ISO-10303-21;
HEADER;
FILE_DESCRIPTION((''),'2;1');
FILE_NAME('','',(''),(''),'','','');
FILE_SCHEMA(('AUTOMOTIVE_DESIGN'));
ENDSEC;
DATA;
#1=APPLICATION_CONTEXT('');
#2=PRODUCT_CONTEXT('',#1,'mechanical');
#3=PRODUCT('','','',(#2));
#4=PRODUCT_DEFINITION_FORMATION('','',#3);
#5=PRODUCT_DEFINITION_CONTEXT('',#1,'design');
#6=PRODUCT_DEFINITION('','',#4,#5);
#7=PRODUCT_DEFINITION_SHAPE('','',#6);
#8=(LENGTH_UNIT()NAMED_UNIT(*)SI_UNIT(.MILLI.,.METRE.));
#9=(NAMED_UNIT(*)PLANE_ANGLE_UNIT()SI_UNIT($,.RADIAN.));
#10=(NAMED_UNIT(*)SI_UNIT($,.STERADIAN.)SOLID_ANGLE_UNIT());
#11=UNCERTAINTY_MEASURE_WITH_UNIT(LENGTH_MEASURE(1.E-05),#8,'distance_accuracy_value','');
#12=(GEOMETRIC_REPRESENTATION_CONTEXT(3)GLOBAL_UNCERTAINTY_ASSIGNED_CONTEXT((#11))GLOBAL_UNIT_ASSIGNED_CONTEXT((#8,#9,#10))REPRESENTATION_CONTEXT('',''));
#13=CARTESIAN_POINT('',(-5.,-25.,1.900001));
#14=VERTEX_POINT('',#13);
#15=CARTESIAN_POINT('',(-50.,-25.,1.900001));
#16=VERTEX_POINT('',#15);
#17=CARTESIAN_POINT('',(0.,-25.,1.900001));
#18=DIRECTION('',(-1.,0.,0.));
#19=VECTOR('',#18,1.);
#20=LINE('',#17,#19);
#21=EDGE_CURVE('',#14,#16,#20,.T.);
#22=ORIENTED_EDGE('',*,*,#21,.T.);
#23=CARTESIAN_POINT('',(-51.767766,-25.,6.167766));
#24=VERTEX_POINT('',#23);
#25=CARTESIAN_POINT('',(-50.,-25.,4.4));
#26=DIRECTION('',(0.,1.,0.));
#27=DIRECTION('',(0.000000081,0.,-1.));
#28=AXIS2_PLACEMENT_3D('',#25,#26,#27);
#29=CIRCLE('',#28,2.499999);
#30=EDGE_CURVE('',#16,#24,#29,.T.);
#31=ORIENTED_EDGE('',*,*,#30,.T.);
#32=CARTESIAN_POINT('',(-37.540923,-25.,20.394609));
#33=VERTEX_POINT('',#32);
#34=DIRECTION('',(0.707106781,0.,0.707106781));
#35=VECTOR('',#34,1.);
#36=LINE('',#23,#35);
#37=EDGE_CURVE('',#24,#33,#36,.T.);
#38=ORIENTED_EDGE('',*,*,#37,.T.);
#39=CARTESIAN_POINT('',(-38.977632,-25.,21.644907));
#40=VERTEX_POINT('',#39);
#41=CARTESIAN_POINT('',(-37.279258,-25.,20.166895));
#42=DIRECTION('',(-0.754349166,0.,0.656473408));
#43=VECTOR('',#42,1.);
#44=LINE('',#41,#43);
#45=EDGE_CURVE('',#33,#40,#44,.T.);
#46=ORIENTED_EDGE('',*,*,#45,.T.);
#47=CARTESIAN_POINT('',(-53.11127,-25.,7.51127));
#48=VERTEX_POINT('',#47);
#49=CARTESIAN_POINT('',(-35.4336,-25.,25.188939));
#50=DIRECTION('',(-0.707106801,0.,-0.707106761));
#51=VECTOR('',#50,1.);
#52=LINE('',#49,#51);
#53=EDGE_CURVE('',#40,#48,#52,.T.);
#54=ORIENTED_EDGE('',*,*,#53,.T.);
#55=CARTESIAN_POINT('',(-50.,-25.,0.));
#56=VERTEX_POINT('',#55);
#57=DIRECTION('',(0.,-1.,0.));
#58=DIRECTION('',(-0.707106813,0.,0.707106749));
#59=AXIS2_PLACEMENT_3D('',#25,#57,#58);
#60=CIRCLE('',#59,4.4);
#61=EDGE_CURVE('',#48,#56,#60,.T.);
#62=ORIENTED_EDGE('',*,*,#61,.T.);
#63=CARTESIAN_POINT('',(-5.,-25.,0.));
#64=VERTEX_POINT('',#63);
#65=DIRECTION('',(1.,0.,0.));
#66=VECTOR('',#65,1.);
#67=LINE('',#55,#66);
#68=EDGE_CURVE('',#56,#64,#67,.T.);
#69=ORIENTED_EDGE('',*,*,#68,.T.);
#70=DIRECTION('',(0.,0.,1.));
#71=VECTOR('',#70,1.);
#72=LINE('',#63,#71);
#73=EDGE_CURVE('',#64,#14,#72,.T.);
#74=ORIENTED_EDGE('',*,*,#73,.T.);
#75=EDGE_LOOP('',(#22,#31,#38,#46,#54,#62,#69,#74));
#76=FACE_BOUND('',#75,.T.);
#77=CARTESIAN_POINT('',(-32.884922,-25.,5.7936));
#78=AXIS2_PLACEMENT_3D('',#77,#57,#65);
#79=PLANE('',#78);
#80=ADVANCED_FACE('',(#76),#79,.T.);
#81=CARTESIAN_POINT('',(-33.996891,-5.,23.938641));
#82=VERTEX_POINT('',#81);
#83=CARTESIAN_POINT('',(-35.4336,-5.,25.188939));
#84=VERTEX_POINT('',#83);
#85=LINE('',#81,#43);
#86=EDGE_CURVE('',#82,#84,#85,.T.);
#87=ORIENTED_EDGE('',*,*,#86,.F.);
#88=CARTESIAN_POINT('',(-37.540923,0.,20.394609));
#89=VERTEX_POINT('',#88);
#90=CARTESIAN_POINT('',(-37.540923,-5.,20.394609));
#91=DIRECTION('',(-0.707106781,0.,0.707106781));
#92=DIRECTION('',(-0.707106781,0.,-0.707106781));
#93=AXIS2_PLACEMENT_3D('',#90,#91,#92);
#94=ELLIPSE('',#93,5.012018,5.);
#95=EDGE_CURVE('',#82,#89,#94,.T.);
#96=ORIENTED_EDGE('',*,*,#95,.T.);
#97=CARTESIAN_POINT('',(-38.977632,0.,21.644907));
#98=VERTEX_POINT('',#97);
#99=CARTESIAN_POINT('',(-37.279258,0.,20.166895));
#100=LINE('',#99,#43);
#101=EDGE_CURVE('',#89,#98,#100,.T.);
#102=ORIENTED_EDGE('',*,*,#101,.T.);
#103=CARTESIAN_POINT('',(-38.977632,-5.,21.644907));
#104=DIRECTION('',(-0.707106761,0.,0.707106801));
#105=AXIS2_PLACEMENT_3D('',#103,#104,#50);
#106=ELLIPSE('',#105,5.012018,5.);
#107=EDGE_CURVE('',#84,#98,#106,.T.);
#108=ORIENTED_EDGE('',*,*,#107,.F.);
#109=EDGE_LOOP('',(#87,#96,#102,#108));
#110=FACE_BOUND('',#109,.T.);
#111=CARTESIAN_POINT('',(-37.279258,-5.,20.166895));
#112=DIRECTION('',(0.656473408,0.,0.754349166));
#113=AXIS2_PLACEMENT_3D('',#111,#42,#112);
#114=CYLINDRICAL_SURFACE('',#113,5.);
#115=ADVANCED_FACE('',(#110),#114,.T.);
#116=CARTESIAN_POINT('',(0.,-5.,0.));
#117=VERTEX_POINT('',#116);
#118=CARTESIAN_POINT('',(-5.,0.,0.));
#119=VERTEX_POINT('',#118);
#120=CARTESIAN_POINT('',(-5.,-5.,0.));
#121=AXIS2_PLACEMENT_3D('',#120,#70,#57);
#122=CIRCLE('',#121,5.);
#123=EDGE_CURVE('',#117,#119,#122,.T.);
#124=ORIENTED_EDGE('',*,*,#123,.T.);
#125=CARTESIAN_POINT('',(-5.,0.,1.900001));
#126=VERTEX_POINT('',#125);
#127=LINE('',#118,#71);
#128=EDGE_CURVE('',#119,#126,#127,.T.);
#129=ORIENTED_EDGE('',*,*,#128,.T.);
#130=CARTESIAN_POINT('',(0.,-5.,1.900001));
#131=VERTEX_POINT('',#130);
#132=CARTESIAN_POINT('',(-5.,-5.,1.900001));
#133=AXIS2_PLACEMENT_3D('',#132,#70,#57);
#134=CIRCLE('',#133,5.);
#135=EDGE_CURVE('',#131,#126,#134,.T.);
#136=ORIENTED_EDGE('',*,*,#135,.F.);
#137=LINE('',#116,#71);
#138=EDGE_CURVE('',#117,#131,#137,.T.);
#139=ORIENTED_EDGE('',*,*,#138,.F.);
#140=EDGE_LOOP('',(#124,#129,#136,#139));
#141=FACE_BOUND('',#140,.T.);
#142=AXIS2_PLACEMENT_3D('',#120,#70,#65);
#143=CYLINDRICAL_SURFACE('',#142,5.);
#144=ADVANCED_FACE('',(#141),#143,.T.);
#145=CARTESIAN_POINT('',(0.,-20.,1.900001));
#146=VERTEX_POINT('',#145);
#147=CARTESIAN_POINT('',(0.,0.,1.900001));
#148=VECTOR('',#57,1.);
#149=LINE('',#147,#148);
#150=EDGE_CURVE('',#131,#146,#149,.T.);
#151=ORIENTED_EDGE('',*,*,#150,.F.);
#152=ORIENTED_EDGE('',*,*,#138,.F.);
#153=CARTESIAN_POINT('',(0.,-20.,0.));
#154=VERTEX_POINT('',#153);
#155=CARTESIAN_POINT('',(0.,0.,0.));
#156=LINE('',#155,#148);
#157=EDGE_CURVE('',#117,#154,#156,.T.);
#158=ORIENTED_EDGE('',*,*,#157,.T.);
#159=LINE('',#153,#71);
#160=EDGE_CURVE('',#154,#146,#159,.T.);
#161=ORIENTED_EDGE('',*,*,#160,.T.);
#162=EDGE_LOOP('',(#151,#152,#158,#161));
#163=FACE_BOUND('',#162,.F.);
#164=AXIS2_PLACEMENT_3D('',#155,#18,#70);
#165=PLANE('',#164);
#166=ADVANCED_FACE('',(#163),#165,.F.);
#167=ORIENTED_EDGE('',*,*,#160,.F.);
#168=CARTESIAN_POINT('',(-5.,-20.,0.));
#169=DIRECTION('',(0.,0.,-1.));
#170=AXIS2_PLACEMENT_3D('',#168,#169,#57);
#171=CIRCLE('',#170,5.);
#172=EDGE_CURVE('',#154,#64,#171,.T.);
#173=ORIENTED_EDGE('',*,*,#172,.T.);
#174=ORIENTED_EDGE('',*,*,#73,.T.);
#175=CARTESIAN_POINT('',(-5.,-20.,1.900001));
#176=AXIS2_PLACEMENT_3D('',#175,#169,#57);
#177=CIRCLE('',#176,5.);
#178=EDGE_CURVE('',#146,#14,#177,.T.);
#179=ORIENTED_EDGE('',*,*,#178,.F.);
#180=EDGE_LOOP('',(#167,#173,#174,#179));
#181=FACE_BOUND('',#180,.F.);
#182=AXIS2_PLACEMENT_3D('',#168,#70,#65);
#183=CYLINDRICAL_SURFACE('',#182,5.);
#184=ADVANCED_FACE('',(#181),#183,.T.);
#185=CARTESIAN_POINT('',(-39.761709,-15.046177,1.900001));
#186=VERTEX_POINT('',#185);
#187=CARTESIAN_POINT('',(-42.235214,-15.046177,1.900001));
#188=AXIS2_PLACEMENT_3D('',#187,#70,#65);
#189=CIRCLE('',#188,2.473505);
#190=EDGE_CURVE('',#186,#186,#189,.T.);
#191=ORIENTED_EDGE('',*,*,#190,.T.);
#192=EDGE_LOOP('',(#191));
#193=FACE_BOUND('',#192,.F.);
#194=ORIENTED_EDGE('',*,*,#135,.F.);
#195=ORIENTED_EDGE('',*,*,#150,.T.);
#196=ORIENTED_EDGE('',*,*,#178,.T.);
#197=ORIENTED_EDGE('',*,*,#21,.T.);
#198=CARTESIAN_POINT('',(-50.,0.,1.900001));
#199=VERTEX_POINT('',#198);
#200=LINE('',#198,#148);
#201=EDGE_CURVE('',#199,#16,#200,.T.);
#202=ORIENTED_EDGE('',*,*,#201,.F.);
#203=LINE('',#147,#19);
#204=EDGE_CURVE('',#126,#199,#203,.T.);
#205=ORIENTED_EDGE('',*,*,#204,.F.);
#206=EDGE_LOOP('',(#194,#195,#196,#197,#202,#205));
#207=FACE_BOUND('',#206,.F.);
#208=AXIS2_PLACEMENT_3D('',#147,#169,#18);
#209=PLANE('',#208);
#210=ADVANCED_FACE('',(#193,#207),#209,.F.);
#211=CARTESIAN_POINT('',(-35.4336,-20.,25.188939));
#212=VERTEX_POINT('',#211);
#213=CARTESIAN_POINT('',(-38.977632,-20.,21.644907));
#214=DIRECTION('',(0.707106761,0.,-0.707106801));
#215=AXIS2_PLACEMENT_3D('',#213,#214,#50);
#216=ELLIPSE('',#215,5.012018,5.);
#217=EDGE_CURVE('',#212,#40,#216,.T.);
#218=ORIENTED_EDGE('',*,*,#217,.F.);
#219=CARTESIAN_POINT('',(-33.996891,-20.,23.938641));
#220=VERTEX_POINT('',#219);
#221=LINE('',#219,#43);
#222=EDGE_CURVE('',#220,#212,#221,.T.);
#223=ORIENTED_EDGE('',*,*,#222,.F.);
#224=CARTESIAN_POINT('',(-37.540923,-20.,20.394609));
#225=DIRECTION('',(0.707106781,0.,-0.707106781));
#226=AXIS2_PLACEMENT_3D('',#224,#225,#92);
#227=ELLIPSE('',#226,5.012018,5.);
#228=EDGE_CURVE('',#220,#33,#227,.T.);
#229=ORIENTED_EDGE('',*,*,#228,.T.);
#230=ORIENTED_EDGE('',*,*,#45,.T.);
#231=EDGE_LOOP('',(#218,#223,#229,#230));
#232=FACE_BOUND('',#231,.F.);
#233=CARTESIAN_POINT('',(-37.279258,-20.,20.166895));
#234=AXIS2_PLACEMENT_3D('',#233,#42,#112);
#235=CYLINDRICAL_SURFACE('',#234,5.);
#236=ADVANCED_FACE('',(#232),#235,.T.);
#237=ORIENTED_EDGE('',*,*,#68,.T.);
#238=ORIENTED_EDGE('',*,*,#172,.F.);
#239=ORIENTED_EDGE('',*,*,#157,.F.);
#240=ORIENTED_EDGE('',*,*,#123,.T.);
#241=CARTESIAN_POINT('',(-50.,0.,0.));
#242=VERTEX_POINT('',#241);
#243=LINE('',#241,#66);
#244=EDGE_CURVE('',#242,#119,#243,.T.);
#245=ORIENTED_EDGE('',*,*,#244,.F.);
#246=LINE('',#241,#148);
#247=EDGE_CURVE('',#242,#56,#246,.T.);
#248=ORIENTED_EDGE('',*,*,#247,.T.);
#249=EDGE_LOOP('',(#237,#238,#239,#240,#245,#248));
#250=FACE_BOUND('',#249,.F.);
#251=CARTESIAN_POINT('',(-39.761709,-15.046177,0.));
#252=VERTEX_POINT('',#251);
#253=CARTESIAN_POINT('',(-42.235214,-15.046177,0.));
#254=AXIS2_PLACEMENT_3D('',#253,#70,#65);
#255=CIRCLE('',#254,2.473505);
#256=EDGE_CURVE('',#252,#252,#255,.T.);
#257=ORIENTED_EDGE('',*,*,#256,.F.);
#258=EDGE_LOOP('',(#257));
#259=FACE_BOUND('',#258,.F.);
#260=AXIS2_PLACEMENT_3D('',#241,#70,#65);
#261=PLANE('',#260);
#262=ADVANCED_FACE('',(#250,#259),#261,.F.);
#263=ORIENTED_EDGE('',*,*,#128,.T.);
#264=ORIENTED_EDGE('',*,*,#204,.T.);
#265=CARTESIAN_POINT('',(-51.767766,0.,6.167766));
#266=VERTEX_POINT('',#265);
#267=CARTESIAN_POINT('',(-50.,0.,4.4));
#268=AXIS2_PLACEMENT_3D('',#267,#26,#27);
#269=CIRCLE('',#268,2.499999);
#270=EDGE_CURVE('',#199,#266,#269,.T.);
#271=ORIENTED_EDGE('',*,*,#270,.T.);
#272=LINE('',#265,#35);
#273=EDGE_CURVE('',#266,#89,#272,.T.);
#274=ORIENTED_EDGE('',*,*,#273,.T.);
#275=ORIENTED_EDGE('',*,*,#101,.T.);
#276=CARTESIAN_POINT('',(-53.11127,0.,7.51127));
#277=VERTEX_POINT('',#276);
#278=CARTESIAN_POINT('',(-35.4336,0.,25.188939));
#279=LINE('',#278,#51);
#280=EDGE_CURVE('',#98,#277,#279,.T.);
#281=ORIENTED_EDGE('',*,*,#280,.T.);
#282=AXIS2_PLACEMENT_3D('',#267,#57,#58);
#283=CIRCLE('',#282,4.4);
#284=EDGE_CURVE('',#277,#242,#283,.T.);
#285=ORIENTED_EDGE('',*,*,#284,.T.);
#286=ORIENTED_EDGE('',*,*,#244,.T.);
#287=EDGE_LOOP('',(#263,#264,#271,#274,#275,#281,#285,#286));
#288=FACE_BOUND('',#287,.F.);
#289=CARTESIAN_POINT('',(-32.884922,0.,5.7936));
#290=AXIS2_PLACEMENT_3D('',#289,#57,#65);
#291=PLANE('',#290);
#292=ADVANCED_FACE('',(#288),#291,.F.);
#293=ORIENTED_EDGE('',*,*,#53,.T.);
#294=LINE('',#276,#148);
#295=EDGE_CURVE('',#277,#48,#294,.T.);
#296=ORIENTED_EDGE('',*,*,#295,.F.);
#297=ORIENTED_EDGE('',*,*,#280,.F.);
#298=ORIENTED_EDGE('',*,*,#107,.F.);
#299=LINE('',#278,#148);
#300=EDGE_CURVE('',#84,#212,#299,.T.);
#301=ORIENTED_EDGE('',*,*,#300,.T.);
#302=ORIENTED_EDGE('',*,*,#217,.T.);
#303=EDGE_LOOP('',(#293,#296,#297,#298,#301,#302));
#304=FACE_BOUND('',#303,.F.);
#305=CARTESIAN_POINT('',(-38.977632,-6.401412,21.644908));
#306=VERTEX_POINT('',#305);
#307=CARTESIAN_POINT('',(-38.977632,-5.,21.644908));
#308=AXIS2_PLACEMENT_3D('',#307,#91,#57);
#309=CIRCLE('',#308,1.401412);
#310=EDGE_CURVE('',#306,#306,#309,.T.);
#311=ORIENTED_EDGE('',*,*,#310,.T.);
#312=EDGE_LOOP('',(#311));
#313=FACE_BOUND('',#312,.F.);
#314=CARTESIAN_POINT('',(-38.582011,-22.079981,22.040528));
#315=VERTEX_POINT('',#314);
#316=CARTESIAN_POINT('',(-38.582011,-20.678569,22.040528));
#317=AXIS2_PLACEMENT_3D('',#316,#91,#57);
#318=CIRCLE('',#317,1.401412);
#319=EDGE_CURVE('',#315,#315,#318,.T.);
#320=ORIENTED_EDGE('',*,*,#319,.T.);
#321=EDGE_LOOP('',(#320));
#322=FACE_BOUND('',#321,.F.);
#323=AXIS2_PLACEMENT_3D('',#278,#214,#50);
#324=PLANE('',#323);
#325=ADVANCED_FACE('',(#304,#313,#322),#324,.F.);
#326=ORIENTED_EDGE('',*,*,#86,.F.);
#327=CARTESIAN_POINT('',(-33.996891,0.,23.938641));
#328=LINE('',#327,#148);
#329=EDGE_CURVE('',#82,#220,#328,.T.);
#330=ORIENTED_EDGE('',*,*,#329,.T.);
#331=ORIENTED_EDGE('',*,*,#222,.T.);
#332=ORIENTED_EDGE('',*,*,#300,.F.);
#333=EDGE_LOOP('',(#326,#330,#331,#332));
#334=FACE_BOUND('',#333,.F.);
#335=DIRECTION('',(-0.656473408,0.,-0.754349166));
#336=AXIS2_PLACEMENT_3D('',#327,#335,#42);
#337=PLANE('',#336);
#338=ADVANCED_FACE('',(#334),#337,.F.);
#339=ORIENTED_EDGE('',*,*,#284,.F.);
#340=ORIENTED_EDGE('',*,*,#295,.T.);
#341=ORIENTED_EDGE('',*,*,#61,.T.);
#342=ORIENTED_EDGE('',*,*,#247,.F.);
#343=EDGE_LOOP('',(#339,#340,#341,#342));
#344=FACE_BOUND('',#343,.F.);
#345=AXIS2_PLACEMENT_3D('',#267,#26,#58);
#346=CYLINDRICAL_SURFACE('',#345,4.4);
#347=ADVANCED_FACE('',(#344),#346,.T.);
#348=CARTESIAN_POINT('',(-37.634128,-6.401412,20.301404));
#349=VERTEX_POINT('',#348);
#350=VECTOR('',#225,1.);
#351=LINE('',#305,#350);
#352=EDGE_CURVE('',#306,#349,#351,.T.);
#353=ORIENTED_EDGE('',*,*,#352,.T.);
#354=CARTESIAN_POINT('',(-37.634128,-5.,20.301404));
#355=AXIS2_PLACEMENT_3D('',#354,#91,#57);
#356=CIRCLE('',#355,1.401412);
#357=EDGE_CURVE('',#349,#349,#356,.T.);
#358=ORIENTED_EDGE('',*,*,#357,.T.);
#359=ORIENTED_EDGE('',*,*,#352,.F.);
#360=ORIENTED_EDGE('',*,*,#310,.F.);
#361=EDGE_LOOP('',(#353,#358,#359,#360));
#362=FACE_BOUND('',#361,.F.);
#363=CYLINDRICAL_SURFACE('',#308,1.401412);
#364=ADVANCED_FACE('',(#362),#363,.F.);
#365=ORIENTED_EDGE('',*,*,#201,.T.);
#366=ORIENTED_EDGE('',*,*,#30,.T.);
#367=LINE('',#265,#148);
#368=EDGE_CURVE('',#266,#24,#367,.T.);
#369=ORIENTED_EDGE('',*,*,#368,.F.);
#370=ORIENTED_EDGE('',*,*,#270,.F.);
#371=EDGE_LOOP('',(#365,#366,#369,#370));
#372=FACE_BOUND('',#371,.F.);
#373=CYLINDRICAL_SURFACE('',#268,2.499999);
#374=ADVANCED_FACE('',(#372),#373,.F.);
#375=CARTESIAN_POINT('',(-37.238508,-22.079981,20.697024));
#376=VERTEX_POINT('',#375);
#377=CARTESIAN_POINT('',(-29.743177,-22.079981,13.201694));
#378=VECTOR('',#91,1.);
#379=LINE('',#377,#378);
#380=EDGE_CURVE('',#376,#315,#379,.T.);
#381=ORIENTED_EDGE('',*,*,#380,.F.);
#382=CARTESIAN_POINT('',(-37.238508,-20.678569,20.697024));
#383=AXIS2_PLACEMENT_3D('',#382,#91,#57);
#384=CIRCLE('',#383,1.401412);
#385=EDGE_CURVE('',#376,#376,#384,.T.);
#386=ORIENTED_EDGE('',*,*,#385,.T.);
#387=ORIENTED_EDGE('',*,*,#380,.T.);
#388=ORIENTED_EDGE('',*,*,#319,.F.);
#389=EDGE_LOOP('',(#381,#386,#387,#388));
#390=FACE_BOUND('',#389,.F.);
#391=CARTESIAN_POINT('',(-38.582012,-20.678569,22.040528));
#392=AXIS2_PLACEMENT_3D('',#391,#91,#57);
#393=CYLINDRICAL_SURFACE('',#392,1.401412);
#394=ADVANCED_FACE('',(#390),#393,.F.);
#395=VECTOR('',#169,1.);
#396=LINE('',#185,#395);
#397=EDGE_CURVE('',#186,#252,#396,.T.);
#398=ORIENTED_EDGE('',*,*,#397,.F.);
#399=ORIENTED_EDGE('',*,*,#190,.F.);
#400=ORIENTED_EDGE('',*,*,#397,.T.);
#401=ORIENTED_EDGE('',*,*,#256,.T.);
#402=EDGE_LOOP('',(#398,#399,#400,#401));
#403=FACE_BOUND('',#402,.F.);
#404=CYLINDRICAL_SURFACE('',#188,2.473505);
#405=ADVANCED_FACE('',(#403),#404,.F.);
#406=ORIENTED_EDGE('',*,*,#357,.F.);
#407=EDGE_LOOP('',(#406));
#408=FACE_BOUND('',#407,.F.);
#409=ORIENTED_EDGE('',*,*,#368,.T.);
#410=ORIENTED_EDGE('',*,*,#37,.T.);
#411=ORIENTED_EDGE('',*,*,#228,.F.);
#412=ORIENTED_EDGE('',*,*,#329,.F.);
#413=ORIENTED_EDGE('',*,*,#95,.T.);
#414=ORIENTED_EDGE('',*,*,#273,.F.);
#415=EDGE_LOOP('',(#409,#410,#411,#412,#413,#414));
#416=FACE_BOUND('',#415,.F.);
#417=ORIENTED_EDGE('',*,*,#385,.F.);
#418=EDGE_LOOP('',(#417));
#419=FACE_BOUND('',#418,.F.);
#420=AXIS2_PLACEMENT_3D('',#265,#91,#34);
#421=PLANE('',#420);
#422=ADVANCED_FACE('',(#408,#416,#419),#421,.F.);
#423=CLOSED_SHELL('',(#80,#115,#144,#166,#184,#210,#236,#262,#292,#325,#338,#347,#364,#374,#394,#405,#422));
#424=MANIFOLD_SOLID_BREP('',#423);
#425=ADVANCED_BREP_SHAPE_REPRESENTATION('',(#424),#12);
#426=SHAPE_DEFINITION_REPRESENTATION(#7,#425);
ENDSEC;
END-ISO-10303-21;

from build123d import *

# Parameters (mm, degrees)
F2_DEPTH = 25
F3_R     = 5
F4_R     = 1.401412
F5_DEPTH = 12.5
F6_R     = 2.473505
F7_DEPTH = 1.901001


with BuildPart() as f2:
    # F0 (on Front) → F2 (new body)
    with BuildSketch(Plane.XZ):
        with BuildLine():
            Line((-50, 0), (0, 0))
            Line((0, 0), (0, 1.900001))
            Line((0, 1.900001), (-50, 1.900001))
            ThreePointArc((-50, 1.900001), (-52.309698, 3.443292), (-51.767766, 6.167766))
            Line((-51.767766, 6.167766), (-33.996891, 23.938641))
            Line((-33.996891, 23.938641), (-35.4336, 25.188939))
            Line((-35.4336, 25.188939), (-53.11127, 7.51127))
            ThreePointArc((-53.11127, 7.51127), (-54.06507, 2.716193), (-50, 0))
        make_face()
    extrude(amount=F2_DEPTH)

    # F3
    f3_edges = [f2.edges().sort_by_distance(p)[0] for p in [
        (-34.715246, -25, 24.56379),
        (-34.715246, 0, 24.56379),
        (0, -25, 0.950001),
        (0, 0, 0.950001),
    ]]
    fillet(f3_edges, radius=F3_R)

    # F4 (on face) → F5 (cut, symmetric)
    with BuildSketch(Plane(origin=(-30.31127, 0, 30.31127), x_dir=(0, -1, 0), z_dir=(-0.707107, 0, 0.707107))):
        with Locations((5, -12.256087)):
            Circle(F4_R)
        with Locations((20.678569, -11.696595)):
            Circle(F4_R)
    extrude(amount=F5_DEPTH, both=True, mode=Mode.SUBTRACT)

    # F6 (on face) → F7 (cut, through all)
    with BuildSketch(Plane.XY.offset(1.900001)):
        with Locations((-42.235214, -15.046177)):
            Circle(F6_R)
    extrude(amount=-F7_DEPTH, mode=Mode.SUBTRACT)


solid = f2.part
